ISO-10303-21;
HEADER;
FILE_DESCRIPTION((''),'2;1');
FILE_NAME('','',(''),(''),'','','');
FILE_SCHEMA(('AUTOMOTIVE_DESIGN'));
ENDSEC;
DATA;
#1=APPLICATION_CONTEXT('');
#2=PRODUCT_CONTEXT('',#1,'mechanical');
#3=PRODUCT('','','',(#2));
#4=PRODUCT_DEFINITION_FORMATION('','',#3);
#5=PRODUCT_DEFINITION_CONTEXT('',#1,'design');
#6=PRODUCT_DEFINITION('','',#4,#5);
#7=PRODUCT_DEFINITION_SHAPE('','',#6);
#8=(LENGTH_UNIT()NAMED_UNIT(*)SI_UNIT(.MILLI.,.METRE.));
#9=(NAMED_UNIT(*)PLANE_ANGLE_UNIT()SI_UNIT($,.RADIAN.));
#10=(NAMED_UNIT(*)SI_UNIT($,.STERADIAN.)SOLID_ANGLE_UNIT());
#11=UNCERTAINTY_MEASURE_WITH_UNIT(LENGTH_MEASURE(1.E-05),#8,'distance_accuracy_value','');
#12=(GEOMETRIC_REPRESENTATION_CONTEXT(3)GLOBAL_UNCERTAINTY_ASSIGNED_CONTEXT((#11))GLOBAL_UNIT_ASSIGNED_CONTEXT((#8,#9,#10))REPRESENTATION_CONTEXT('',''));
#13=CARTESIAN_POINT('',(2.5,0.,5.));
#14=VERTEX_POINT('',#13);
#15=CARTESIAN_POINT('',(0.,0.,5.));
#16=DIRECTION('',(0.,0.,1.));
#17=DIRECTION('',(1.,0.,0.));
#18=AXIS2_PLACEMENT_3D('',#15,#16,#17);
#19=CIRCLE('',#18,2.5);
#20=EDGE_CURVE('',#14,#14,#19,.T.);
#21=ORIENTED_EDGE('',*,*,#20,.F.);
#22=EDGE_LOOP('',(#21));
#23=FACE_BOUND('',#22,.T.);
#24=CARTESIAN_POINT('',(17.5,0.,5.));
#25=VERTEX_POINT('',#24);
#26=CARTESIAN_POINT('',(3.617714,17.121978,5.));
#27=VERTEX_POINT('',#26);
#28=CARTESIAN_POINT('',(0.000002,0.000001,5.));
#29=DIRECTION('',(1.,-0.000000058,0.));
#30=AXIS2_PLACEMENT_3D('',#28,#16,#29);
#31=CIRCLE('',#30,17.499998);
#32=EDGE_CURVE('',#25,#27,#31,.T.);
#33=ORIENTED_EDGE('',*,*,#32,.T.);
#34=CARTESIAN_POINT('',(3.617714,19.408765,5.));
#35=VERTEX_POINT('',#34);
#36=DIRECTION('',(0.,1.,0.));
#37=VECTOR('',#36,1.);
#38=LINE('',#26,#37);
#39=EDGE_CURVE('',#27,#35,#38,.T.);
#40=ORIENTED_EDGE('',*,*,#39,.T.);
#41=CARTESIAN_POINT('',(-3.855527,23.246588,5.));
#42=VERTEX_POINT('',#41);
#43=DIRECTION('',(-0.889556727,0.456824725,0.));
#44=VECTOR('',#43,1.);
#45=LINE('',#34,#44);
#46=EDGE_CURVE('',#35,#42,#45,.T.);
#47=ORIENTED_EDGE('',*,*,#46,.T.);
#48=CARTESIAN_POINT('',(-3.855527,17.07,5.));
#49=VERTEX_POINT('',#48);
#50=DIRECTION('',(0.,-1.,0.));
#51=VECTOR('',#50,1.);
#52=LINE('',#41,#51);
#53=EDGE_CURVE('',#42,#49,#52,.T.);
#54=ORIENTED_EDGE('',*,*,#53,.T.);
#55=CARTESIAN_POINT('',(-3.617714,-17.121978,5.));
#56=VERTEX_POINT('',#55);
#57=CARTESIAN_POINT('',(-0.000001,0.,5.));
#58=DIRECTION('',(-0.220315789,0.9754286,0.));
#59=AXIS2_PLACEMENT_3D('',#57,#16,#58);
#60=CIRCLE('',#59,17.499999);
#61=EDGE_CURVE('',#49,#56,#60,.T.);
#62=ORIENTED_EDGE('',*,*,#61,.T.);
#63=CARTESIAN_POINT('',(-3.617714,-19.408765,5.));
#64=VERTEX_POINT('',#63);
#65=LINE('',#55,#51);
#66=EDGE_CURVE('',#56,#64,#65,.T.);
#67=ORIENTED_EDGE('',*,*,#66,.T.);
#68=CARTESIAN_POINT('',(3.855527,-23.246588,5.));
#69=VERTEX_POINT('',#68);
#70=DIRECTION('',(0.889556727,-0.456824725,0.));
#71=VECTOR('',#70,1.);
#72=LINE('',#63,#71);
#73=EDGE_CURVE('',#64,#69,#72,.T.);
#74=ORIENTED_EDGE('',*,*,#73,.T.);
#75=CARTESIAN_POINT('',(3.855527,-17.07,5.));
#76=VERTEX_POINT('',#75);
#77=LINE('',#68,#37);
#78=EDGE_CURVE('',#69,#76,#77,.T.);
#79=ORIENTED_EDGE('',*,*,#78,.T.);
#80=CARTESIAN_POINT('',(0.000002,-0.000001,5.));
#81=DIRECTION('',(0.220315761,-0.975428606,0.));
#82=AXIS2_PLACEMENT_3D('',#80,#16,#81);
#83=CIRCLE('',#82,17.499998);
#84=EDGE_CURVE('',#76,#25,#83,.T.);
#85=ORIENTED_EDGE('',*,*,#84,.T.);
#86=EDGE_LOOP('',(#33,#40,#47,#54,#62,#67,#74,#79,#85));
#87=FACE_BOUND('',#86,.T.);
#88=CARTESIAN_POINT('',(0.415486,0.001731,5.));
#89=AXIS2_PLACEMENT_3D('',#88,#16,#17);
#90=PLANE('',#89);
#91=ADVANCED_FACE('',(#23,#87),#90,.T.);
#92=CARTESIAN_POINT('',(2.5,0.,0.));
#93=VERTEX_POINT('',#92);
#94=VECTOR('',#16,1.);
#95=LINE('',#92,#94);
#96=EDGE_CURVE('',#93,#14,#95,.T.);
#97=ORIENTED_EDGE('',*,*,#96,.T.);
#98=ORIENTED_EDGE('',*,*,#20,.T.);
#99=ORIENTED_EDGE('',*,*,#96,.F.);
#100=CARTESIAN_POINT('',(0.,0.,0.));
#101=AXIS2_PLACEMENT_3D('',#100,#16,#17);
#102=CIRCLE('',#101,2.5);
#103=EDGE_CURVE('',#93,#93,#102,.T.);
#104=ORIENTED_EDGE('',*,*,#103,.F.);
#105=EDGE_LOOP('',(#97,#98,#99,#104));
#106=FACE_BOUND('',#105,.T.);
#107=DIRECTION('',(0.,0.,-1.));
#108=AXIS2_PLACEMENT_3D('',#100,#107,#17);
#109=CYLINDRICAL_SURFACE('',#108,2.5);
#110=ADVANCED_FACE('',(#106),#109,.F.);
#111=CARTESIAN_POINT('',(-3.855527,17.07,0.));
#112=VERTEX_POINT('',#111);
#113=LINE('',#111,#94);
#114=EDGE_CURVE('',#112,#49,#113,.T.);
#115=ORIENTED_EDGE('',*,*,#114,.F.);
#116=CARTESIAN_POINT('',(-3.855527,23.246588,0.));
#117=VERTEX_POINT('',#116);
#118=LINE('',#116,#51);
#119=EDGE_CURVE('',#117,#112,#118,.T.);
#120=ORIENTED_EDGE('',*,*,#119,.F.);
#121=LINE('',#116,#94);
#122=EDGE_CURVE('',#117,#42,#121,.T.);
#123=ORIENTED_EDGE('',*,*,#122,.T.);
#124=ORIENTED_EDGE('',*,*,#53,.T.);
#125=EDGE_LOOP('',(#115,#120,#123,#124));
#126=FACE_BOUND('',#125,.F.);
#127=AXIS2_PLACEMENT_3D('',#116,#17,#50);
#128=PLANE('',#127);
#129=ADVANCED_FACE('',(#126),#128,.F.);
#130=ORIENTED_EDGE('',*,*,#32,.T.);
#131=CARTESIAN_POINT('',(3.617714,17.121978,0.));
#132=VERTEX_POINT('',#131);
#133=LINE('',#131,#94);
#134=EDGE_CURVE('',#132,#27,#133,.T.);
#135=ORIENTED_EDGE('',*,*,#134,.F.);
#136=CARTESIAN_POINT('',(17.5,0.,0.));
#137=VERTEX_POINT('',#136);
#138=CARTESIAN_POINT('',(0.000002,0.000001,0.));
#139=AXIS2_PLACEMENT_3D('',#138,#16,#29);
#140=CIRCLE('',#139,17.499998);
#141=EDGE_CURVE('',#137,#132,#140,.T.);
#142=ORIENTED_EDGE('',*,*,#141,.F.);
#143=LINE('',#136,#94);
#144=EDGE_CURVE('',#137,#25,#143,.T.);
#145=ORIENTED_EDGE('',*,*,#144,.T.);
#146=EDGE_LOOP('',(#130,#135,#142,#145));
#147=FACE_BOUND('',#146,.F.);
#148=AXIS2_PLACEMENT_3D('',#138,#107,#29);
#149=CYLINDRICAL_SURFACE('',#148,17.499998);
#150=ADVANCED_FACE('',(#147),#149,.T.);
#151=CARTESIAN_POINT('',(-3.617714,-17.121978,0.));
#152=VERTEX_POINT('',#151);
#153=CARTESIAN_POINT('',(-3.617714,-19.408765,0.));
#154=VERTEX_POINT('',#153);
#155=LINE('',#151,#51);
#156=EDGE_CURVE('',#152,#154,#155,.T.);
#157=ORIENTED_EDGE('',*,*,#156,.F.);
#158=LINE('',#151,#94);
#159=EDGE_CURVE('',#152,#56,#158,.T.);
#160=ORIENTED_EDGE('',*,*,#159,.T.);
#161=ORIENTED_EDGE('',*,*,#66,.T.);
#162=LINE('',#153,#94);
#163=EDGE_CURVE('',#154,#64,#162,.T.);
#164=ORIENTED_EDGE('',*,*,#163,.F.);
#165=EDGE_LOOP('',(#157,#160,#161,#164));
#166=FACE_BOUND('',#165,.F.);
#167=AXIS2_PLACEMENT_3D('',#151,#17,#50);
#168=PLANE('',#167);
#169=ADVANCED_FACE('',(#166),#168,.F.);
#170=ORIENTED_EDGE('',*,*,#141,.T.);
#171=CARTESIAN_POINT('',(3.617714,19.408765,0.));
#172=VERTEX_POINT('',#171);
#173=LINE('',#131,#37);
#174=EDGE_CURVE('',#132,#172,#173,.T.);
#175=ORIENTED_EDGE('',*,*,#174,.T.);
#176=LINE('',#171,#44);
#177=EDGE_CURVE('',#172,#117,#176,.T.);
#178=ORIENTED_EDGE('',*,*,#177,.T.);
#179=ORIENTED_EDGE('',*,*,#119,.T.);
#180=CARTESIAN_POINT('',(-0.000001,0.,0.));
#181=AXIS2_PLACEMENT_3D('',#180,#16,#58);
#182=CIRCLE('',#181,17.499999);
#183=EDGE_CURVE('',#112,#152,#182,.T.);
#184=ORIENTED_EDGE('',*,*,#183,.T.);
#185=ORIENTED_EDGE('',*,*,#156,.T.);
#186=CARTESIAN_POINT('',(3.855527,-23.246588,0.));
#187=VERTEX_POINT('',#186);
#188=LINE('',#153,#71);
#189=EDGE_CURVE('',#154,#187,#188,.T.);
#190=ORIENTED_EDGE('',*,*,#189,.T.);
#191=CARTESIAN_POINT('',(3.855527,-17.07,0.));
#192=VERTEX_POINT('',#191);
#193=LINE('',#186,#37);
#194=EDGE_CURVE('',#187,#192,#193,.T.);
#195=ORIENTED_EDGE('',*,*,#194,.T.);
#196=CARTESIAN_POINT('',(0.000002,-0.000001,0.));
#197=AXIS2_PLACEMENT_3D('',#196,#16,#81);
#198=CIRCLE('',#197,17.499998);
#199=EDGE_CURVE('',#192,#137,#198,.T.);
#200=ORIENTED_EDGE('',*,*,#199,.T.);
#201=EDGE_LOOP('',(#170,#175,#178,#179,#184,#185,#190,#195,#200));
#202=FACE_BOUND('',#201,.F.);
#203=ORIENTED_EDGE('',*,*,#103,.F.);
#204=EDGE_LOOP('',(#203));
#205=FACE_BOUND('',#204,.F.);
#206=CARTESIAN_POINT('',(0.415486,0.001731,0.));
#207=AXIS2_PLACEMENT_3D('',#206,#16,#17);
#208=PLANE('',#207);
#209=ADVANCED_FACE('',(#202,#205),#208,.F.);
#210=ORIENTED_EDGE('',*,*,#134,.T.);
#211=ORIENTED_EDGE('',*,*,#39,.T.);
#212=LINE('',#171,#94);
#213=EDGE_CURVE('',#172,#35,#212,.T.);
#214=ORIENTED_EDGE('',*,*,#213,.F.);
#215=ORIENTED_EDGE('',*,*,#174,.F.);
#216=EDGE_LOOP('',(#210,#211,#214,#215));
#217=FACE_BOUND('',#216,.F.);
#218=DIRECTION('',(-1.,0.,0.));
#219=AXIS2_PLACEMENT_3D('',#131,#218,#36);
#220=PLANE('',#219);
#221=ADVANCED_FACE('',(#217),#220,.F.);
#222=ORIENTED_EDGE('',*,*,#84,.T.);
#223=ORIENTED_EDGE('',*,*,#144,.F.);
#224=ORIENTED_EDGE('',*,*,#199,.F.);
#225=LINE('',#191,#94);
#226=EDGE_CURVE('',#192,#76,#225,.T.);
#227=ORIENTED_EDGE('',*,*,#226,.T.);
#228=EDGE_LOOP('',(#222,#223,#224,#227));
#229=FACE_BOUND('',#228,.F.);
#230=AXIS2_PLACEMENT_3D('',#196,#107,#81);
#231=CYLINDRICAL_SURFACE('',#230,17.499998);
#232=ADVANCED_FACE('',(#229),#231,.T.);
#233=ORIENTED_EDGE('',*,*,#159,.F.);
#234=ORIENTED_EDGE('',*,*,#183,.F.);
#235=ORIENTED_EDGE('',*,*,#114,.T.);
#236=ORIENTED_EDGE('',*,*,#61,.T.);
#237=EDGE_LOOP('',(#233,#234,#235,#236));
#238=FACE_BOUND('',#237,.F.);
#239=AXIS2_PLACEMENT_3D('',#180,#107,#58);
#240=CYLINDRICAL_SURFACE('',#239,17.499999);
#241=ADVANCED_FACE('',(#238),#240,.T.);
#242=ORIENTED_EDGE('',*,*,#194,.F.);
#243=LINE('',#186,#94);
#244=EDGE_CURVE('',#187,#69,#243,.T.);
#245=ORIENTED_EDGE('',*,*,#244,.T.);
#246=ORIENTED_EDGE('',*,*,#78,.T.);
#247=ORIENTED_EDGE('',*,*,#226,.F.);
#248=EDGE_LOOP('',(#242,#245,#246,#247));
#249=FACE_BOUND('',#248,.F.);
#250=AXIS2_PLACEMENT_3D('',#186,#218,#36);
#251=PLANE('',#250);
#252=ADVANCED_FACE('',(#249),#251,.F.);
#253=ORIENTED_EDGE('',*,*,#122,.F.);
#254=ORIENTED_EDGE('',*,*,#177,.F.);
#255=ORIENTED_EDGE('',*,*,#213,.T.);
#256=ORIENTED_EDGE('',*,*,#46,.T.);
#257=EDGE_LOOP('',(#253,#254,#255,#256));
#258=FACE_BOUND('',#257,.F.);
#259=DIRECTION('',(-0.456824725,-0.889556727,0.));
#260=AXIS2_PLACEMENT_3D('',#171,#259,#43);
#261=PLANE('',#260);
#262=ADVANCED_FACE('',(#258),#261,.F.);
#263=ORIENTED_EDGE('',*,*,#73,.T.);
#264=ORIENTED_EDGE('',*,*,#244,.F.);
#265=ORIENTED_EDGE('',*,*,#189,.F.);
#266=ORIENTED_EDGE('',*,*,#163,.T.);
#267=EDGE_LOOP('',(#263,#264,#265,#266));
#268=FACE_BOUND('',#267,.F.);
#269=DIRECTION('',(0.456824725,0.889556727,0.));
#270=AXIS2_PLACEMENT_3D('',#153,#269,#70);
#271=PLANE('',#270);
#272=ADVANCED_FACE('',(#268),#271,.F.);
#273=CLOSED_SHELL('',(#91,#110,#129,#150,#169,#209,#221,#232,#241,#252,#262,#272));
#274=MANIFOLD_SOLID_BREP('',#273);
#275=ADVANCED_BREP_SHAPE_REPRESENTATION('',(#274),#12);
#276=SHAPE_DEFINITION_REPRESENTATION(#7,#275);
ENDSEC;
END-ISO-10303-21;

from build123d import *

# Parameters (mm, degrees)
F0_R     = 2.5
F1_DEPTH = 5


with BuildPart() as f1:
    # F0 (on Top) → F1 (new body)
    with BuildSketch(Plane.XY):
        with BuildLine():
            ThreePointArc((3.855527, -17.07), (13.669706, -10.926534), (17.5, 0))
            ThreePointArc((17.5, 0), (13.593381, 11.021343), (3.617714, 17.121978))
            ThreePointArc((3.617714, 17.121978), (-0.121713, 17.499577), (-3.855527, 17.07))
            ThreePointArc((-3.855527, 17.07), (-17.499577, -0.121713), (-3.617714, -17.121978))
            ThreePointArc((-3.617714, -17.121978), (0.121713, -17.499577), (3.855527, -17.07))
        make_face()
        Circle(F0_R, mode=Mode.SUBTRACT)
        with BuildLine():
            ThreePointArc((-3.855527, 17.07), (-0.121713, 17.499577), (3.617714, 17.121978))
            Line((3.617714, 17.121978), (3.617714, 19.408765))
            Line((3.617714, 19.408765), (-3.855527, 23.246588))
            Line((-3.855527, 23.246588), (-3.855527, 17.07))
        make_face()
        with BuildLine():
            Line((3.855527, -23.246588), (3.855527, -17.07))
            ThreePointArc((3.855527, -17.07), (0.121713, -17.499577), (-3.617714, -17.121978))
            Line((-3.617714, -17.121978), (-3.617714, -19.408765))
            Line((-3.617714, -19.408765), (3.855527, -23.246588))
        make_face()
    extrude(amount=F1_DEPTH)


solid = f1.part
